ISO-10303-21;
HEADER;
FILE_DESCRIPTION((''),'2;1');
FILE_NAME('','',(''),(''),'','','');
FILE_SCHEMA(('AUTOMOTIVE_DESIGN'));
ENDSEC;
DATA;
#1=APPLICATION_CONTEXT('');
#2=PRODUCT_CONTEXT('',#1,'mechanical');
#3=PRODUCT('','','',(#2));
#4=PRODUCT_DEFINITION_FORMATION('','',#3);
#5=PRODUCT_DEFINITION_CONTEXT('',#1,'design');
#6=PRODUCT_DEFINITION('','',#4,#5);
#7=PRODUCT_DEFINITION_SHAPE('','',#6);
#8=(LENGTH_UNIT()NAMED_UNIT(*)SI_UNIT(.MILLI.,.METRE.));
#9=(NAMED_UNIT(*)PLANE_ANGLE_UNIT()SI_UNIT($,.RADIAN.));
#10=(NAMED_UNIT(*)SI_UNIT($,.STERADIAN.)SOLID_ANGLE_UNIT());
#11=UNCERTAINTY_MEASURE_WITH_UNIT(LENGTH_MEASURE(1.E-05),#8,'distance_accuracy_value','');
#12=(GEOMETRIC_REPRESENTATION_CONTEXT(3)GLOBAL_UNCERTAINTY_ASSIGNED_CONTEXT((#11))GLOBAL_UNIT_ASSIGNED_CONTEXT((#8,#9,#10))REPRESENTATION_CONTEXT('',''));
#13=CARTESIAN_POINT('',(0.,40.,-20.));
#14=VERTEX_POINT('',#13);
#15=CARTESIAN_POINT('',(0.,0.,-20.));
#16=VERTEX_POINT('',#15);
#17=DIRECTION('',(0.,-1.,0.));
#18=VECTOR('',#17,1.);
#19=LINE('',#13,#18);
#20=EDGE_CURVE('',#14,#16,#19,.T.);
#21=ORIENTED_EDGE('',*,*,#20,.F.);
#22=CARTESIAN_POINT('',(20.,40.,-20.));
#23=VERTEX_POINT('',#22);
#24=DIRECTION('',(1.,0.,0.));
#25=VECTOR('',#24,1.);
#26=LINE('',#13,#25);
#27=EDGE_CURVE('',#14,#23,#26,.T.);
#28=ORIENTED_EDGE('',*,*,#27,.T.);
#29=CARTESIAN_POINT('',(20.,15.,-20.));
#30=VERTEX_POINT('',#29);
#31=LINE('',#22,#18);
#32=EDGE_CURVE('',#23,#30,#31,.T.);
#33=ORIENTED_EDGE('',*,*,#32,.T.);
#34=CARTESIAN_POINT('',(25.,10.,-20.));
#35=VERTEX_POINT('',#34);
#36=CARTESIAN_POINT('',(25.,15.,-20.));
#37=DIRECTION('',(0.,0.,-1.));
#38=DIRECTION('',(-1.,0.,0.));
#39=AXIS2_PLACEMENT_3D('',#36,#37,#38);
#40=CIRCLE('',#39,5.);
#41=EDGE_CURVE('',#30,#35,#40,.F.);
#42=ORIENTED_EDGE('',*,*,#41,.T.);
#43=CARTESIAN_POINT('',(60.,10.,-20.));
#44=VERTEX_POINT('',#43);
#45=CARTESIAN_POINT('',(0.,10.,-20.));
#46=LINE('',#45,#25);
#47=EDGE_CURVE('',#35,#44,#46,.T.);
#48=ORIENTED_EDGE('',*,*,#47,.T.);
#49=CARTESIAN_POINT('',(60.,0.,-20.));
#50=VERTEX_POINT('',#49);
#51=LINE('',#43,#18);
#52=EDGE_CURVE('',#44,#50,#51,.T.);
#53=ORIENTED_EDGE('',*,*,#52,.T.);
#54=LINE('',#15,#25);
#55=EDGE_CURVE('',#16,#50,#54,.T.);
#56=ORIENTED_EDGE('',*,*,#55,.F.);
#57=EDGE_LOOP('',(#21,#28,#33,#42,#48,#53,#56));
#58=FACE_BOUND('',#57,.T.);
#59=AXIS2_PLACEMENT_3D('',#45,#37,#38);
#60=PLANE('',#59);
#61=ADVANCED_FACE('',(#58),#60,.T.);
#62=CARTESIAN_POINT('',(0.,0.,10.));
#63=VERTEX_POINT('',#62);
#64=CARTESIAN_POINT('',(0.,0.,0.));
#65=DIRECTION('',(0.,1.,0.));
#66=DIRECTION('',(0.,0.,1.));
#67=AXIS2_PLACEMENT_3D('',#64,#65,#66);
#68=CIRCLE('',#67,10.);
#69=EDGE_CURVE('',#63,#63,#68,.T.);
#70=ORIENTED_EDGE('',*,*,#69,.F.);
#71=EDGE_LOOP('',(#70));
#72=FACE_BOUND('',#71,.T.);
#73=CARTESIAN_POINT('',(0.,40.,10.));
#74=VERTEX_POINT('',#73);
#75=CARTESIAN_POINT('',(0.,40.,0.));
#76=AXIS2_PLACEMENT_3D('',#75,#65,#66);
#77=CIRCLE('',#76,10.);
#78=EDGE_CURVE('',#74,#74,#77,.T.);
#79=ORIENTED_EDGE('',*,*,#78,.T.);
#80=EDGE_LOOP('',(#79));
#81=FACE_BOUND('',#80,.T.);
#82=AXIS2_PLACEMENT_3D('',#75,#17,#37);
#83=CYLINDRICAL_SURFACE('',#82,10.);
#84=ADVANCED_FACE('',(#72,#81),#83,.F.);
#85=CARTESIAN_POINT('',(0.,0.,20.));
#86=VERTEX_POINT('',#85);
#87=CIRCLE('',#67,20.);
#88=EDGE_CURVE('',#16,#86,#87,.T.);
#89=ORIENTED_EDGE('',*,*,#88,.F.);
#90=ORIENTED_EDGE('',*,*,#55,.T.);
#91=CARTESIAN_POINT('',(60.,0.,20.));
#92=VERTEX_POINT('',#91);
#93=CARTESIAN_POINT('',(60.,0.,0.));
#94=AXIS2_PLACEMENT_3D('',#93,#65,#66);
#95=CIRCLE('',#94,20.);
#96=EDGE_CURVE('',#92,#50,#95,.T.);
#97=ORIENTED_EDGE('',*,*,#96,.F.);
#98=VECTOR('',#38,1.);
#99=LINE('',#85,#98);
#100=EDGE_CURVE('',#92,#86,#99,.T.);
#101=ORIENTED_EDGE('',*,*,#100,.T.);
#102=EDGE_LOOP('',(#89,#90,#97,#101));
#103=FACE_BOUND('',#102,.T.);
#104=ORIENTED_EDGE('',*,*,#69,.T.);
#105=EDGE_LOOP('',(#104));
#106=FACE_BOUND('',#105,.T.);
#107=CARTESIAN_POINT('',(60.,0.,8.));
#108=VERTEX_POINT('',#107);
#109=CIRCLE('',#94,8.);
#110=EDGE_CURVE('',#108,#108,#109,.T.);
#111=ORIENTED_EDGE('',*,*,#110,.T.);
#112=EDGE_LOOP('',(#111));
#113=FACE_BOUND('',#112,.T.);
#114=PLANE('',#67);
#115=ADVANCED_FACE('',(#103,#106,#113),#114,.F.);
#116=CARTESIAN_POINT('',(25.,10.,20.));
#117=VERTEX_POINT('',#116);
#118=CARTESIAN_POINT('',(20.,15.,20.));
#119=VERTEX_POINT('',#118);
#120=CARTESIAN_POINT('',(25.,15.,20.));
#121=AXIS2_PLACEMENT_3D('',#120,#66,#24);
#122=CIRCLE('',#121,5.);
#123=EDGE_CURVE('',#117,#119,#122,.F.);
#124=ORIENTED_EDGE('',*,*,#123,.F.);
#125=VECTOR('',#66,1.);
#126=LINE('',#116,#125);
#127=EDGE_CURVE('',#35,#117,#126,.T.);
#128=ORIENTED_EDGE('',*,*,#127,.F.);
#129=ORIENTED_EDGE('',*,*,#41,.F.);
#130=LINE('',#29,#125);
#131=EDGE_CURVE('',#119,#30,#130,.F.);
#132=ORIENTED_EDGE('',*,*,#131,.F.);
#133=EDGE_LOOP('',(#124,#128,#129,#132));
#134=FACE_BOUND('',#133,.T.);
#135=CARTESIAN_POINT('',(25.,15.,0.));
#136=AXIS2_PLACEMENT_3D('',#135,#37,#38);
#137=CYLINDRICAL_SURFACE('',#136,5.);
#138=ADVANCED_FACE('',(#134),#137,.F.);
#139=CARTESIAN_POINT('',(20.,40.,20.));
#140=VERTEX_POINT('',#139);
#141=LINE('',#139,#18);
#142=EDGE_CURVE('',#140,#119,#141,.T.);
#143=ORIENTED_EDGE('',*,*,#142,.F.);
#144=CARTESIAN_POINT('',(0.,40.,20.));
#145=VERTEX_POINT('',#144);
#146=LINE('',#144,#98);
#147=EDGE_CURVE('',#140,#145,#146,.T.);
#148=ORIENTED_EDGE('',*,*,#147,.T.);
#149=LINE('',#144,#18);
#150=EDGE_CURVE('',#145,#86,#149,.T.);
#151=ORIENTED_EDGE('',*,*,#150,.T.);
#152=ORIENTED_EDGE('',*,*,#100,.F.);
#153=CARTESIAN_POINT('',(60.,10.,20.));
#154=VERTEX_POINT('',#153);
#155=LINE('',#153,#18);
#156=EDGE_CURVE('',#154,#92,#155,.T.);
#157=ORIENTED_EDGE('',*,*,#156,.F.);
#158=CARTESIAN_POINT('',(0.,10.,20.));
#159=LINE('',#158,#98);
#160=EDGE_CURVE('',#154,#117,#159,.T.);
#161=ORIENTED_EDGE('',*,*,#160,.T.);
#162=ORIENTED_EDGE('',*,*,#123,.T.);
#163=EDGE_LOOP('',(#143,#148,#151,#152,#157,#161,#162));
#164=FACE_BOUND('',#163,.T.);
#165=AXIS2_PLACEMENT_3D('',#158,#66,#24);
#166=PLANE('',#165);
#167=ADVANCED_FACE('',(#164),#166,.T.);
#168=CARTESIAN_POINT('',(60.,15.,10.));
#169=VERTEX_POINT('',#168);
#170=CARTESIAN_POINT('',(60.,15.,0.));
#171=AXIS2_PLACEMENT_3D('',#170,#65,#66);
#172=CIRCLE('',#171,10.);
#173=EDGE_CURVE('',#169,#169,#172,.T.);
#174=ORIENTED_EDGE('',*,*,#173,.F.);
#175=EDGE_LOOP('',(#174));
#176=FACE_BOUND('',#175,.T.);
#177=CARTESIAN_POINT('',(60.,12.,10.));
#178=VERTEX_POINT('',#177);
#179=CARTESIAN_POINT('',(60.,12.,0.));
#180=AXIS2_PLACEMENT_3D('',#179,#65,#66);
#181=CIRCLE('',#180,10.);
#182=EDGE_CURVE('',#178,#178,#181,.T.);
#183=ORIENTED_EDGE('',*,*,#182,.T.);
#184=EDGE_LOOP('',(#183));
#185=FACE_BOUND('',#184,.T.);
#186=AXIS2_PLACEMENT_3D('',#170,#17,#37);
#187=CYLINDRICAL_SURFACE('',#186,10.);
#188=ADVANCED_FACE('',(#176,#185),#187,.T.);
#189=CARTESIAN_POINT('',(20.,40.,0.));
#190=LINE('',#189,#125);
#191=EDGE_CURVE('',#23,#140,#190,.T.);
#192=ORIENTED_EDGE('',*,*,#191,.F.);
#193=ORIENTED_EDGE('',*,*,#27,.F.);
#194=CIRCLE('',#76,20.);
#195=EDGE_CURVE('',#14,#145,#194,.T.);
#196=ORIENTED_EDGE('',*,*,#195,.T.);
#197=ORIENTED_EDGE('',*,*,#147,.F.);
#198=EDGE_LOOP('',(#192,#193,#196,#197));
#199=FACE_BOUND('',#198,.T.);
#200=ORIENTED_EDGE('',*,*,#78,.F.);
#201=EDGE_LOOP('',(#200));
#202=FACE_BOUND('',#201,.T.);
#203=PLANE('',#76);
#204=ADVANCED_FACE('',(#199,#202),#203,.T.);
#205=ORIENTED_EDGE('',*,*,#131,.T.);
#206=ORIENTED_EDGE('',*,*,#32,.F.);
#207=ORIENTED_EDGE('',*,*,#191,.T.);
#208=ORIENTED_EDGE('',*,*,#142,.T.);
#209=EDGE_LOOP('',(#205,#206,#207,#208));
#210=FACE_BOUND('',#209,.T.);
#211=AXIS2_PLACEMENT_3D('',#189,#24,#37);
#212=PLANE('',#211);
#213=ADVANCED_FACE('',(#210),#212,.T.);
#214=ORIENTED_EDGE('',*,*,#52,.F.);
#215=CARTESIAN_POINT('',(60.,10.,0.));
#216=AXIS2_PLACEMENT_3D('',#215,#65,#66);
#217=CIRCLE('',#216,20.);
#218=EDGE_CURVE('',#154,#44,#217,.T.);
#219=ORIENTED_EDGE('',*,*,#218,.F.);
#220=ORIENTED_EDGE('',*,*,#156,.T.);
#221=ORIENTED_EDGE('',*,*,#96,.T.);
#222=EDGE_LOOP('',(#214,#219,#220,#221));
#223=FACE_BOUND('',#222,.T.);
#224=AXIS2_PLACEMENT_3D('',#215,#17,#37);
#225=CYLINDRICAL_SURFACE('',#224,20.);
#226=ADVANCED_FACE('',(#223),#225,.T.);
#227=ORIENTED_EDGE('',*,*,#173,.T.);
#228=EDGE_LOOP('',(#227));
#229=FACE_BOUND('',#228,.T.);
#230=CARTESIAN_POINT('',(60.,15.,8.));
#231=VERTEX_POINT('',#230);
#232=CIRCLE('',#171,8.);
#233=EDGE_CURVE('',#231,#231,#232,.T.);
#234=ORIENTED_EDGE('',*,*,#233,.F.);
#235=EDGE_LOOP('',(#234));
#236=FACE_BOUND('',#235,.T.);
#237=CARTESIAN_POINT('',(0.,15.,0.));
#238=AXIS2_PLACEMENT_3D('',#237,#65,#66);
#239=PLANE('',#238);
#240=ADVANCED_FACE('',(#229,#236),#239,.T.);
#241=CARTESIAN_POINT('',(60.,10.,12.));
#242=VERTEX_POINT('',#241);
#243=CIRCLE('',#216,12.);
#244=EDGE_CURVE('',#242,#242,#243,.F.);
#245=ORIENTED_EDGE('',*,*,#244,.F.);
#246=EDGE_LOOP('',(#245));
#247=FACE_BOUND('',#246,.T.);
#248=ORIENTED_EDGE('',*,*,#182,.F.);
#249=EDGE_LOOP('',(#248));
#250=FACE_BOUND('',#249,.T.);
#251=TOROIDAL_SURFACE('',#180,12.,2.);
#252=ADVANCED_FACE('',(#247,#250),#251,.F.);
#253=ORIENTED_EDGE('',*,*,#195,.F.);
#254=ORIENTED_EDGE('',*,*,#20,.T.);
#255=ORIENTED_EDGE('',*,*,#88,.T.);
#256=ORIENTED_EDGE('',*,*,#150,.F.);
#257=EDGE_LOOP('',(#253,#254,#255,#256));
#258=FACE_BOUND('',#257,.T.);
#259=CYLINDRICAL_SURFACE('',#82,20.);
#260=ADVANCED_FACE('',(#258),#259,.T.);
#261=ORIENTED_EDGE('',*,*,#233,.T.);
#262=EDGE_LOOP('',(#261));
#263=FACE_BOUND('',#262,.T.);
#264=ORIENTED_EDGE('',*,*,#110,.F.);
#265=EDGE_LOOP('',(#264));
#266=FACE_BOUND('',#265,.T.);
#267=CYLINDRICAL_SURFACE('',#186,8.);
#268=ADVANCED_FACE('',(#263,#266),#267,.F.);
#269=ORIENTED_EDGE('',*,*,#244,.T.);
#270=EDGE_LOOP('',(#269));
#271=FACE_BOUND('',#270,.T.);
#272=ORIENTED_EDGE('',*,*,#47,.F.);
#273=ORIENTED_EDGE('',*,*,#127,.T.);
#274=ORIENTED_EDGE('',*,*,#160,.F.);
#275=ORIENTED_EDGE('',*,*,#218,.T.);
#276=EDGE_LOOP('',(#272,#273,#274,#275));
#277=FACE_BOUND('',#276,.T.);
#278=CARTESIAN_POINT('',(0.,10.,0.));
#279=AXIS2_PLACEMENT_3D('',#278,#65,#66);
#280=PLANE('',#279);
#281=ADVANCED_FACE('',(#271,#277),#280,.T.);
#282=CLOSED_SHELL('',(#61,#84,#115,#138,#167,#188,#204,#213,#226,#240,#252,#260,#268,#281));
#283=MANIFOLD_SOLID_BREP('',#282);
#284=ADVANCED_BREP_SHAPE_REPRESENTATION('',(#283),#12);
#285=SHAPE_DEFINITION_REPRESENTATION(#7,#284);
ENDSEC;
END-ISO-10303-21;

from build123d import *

# Parameters (mm, degrees)
SKETCH1_R           = 10
BOSS_EXTRUDE1_DEPTH = 10
SKETCH1_4_R         = 10
SKETCH1_4_R_2       = 8
BOSS_EXTRUDE2_DEPTH = 15
SKETCH1_5_R         = 10
BOSS_EXTRUDE3_DEPTH = 40
FILLET1_R           = 5
FILLET2_R           = 2


with BuildPart() as part:
    # Sketch1 → Boss-Extrude1 (new body)
    with BuildSketch(Plane(origin=(0, 0, 0), x_dir=(1, 0, 0), z_dir=(0, 1, 0))):
        with BuildLine():
            Line((60, 20), (20, 20))
            Line((20, 20), (20, -20))
            Line((20, -20), (60, -20))
            ThreePointArc((60, -20), (80, 0), (60, 20))
        make_face()
        with Locations((60, 0)):
            Circle(SKETCH1_R, mode=Mode.SUBTRACT)
    extrude(amount=BOSS_EXTRUDE1_DEPTH)

    # Sketch1<4> → Boss-Extrude2 (add)
    with BuildSketch(Plane(origin=(0, 0, 0), x_dir=(1, 0, 0), z_dir=(0, 1, 0))):
        with Locations((60, 0)):
            Circle(SKETCH1_4_R)
        with Locations((60, 0)):
            Circle(SKETCH1_4_R_2, mode=Mode.SUBTRACT)
    extrude(amount=BOSS_EXTRUDE2_DEPTH)

    # Sketch1<5> → Boss-Extrude3 (add)
    with BuildSketch(Plane(origin=(0, 0, 0), x_dir=(1, 0, 0), z_dir=(0, 1, 0))):
        with BuildLine():
            Line((20, 20), (0, 20))
            ThreePointArc((0, 20), (-20, 0), (0, -20))
            Line((0, -20), (20, -20))
            Line((20, -20), (20, 20))
        make_face()
        Circle(SKETCH1_5_R, mode=Mode.SUBTRACT)
    extrude(amount=BOSS_EXTRUDE3_DEPTH)

    # Fillet1
    fillet1_edges = [part.edges().sort_by_distance(p)[0] for p in [
        (20, 10, 0),
    ]]
    fillet(fillet1_edges, radius=FILLET1_R)

    # Fillet2
    fillet2_edges = [part.edges().sort_by_distance(p)[0] for p in [
        (50, 10, 0),
    ]]
    fillet(fillet2_edges, radius=FILLET2_R)


solid = part.part
